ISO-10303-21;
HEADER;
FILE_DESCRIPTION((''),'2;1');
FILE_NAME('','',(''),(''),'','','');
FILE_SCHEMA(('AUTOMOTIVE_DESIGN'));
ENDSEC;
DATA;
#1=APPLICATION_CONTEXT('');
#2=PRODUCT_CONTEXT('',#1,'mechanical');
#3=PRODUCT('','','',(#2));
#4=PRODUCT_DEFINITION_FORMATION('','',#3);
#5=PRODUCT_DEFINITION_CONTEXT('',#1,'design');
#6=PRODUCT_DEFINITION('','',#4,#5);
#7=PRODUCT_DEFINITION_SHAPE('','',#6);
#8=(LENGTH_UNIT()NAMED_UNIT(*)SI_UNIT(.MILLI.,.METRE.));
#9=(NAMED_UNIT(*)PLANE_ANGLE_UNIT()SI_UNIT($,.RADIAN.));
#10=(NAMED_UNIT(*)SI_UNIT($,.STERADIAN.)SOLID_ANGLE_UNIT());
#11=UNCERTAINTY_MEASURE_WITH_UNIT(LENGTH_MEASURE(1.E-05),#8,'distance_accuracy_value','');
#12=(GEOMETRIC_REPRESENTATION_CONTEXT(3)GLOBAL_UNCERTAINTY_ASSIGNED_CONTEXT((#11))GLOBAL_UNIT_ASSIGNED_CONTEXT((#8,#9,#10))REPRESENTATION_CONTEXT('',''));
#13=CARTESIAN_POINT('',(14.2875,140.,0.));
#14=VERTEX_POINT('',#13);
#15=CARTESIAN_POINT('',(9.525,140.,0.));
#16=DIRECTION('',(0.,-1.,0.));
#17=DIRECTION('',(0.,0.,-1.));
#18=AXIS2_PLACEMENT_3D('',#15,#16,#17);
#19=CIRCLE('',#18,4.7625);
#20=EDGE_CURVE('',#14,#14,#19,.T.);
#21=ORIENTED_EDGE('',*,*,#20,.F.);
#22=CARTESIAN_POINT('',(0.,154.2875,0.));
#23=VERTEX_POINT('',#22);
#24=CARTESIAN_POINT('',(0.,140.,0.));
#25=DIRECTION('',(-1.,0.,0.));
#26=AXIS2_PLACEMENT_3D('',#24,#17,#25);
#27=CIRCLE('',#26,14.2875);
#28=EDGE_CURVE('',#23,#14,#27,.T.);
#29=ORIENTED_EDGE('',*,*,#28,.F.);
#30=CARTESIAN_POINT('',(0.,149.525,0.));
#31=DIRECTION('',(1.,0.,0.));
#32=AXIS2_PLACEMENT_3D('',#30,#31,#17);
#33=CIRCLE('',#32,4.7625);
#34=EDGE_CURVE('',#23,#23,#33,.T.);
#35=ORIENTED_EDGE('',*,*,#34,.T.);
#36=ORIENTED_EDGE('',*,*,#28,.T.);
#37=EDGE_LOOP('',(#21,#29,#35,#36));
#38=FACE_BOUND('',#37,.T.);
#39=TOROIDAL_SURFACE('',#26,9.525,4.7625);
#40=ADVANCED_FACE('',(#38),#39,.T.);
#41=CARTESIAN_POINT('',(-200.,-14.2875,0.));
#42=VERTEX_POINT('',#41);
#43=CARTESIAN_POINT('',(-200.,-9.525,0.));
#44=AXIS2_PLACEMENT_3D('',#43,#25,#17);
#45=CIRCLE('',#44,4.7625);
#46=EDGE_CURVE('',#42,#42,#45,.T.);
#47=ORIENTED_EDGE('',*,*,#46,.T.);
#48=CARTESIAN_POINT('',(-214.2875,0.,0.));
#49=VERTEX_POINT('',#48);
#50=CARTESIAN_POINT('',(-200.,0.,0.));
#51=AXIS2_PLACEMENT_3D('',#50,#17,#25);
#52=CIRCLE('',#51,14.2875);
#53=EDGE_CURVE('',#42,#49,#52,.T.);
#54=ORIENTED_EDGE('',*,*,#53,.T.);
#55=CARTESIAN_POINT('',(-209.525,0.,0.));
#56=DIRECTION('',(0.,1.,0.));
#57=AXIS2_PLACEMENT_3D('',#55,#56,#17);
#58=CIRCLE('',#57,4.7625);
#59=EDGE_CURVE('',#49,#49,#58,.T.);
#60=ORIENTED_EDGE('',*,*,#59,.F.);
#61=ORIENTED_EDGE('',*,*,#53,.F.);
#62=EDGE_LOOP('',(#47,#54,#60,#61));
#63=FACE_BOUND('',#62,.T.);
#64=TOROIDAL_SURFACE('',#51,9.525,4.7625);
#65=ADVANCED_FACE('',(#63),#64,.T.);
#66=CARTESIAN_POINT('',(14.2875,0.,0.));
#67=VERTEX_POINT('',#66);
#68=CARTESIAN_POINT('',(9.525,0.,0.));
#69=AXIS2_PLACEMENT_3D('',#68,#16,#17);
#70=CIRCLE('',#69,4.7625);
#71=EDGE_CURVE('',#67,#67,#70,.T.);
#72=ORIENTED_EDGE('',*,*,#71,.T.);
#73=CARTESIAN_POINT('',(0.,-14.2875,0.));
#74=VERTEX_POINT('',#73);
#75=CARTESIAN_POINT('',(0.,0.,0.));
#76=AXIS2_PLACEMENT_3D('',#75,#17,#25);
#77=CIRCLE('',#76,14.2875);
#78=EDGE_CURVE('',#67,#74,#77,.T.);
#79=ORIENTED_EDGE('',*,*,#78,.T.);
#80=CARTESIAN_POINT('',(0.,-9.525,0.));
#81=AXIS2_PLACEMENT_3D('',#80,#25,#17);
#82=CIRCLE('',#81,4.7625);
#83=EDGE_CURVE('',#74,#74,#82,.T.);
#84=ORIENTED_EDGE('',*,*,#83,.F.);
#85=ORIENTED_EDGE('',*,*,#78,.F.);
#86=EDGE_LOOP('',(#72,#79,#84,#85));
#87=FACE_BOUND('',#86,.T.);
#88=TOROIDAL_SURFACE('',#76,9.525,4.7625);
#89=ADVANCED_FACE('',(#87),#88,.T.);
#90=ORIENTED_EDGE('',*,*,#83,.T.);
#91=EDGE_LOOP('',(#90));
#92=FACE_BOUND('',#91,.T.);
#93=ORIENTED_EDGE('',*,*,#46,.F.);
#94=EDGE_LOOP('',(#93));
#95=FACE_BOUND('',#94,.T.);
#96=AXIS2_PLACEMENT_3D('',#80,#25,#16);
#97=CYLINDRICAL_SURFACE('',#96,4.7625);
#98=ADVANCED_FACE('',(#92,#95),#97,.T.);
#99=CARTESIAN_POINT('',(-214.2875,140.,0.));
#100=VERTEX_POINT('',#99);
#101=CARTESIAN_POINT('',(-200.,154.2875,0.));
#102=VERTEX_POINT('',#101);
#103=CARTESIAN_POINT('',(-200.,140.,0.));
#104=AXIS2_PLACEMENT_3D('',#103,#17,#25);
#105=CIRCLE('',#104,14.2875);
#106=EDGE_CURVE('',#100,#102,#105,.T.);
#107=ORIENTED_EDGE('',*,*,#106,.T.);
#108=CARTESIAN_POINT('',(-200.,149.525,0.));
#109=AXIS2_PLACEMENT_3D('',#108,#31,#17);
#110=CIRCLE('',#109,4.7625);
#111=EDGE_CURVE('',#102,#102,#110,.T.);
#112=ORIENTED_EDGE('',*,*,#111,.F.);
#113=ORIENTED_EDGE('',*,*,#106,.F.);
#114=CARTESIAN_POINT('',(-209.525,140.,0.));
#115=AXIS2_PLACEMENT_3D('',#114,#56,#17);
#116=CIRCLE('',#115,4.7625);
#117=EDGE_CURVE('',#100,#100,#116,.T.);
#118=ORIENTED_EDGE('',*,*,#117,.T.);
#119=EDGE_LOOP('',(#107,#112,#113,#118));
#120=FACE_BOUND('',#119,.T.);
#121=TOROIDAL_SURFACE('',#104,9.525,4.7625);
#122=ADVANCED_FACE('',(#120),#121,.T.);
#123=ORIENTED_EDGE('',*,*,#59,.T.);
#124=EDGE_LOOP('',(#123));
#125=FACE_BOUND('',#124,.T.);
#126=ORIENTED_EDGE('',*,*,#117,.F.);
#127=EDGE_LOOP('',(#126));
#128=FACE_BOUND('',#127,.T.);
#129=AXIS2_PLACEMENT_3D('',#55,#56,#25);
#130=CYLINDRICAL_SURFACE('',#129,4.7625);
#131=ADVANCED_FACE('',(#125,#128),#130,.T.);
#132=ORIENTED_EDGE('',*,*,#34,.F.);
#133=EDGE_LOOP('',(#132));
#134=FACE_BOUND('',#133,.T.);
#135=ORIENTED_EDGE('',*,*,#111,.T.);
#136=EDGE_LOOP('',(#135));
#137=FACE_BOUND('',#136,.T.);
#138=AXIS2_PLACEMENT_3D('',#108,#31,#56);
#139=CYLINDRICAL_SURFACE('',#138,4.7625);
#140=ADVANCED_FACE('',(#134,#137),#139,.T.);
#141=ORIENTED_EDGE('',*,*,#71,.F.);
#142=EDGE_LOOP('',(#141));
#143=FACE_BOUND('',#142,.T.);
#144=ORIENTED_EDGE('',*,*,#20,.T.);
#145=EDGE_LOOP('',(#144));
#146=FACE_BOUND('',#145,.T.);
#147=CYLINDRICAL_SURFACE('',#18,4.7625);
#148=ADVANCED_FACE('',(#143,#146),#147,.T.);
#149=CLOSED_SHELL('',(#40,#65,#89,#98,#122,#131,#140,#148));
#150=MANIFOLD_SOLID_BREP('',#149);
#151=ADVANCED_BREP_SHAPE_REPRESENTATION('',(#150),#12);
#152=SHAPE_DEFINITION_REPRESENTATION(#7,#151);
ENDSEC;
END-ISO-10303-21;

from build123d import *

# Parameters (mm, degrees)
ESBO_O4_R = 4.7625


with BuildPart() as part:
    # Varredura1: sweep along a path in Esboço1
    with BuildLine(Plane.XY) as varredura1_path:
        Line((-200, 149.525), (0, 149.525))
        ThreePointArc((0, 149.525), (6.735192091, 146.735192091), (9.525, 140))
        Line((9.525, 140), (9.525, 0))
        ThreePointArc((9.525, 0), (6.735192091, -6.735192091), (0, -9.525))
        Line((0, -9.525), (-200, -9.525))
        ThreePointArc((-200, -9.525), (-206.735192091, -6.735192091), (-209.525, 0))
        Line((-209.525, 0), (-209.525, 140))
        ThreePointArc((-209.525, 140), (-206.735192091, 146.735192091), (-200, 149.525))
    # Esboço4 → Varredura1 (sweep)
    with BuildSketch(Plane(origin=(-200, 0, 0), x_dir=(0, 0, -1), z_dir=(1, 0, 0))):
        with Locations((0, 149.525)):
            Circle(ESBO_O4_R)
    sweep(path=varredura1_path.line)


solid = part.part
